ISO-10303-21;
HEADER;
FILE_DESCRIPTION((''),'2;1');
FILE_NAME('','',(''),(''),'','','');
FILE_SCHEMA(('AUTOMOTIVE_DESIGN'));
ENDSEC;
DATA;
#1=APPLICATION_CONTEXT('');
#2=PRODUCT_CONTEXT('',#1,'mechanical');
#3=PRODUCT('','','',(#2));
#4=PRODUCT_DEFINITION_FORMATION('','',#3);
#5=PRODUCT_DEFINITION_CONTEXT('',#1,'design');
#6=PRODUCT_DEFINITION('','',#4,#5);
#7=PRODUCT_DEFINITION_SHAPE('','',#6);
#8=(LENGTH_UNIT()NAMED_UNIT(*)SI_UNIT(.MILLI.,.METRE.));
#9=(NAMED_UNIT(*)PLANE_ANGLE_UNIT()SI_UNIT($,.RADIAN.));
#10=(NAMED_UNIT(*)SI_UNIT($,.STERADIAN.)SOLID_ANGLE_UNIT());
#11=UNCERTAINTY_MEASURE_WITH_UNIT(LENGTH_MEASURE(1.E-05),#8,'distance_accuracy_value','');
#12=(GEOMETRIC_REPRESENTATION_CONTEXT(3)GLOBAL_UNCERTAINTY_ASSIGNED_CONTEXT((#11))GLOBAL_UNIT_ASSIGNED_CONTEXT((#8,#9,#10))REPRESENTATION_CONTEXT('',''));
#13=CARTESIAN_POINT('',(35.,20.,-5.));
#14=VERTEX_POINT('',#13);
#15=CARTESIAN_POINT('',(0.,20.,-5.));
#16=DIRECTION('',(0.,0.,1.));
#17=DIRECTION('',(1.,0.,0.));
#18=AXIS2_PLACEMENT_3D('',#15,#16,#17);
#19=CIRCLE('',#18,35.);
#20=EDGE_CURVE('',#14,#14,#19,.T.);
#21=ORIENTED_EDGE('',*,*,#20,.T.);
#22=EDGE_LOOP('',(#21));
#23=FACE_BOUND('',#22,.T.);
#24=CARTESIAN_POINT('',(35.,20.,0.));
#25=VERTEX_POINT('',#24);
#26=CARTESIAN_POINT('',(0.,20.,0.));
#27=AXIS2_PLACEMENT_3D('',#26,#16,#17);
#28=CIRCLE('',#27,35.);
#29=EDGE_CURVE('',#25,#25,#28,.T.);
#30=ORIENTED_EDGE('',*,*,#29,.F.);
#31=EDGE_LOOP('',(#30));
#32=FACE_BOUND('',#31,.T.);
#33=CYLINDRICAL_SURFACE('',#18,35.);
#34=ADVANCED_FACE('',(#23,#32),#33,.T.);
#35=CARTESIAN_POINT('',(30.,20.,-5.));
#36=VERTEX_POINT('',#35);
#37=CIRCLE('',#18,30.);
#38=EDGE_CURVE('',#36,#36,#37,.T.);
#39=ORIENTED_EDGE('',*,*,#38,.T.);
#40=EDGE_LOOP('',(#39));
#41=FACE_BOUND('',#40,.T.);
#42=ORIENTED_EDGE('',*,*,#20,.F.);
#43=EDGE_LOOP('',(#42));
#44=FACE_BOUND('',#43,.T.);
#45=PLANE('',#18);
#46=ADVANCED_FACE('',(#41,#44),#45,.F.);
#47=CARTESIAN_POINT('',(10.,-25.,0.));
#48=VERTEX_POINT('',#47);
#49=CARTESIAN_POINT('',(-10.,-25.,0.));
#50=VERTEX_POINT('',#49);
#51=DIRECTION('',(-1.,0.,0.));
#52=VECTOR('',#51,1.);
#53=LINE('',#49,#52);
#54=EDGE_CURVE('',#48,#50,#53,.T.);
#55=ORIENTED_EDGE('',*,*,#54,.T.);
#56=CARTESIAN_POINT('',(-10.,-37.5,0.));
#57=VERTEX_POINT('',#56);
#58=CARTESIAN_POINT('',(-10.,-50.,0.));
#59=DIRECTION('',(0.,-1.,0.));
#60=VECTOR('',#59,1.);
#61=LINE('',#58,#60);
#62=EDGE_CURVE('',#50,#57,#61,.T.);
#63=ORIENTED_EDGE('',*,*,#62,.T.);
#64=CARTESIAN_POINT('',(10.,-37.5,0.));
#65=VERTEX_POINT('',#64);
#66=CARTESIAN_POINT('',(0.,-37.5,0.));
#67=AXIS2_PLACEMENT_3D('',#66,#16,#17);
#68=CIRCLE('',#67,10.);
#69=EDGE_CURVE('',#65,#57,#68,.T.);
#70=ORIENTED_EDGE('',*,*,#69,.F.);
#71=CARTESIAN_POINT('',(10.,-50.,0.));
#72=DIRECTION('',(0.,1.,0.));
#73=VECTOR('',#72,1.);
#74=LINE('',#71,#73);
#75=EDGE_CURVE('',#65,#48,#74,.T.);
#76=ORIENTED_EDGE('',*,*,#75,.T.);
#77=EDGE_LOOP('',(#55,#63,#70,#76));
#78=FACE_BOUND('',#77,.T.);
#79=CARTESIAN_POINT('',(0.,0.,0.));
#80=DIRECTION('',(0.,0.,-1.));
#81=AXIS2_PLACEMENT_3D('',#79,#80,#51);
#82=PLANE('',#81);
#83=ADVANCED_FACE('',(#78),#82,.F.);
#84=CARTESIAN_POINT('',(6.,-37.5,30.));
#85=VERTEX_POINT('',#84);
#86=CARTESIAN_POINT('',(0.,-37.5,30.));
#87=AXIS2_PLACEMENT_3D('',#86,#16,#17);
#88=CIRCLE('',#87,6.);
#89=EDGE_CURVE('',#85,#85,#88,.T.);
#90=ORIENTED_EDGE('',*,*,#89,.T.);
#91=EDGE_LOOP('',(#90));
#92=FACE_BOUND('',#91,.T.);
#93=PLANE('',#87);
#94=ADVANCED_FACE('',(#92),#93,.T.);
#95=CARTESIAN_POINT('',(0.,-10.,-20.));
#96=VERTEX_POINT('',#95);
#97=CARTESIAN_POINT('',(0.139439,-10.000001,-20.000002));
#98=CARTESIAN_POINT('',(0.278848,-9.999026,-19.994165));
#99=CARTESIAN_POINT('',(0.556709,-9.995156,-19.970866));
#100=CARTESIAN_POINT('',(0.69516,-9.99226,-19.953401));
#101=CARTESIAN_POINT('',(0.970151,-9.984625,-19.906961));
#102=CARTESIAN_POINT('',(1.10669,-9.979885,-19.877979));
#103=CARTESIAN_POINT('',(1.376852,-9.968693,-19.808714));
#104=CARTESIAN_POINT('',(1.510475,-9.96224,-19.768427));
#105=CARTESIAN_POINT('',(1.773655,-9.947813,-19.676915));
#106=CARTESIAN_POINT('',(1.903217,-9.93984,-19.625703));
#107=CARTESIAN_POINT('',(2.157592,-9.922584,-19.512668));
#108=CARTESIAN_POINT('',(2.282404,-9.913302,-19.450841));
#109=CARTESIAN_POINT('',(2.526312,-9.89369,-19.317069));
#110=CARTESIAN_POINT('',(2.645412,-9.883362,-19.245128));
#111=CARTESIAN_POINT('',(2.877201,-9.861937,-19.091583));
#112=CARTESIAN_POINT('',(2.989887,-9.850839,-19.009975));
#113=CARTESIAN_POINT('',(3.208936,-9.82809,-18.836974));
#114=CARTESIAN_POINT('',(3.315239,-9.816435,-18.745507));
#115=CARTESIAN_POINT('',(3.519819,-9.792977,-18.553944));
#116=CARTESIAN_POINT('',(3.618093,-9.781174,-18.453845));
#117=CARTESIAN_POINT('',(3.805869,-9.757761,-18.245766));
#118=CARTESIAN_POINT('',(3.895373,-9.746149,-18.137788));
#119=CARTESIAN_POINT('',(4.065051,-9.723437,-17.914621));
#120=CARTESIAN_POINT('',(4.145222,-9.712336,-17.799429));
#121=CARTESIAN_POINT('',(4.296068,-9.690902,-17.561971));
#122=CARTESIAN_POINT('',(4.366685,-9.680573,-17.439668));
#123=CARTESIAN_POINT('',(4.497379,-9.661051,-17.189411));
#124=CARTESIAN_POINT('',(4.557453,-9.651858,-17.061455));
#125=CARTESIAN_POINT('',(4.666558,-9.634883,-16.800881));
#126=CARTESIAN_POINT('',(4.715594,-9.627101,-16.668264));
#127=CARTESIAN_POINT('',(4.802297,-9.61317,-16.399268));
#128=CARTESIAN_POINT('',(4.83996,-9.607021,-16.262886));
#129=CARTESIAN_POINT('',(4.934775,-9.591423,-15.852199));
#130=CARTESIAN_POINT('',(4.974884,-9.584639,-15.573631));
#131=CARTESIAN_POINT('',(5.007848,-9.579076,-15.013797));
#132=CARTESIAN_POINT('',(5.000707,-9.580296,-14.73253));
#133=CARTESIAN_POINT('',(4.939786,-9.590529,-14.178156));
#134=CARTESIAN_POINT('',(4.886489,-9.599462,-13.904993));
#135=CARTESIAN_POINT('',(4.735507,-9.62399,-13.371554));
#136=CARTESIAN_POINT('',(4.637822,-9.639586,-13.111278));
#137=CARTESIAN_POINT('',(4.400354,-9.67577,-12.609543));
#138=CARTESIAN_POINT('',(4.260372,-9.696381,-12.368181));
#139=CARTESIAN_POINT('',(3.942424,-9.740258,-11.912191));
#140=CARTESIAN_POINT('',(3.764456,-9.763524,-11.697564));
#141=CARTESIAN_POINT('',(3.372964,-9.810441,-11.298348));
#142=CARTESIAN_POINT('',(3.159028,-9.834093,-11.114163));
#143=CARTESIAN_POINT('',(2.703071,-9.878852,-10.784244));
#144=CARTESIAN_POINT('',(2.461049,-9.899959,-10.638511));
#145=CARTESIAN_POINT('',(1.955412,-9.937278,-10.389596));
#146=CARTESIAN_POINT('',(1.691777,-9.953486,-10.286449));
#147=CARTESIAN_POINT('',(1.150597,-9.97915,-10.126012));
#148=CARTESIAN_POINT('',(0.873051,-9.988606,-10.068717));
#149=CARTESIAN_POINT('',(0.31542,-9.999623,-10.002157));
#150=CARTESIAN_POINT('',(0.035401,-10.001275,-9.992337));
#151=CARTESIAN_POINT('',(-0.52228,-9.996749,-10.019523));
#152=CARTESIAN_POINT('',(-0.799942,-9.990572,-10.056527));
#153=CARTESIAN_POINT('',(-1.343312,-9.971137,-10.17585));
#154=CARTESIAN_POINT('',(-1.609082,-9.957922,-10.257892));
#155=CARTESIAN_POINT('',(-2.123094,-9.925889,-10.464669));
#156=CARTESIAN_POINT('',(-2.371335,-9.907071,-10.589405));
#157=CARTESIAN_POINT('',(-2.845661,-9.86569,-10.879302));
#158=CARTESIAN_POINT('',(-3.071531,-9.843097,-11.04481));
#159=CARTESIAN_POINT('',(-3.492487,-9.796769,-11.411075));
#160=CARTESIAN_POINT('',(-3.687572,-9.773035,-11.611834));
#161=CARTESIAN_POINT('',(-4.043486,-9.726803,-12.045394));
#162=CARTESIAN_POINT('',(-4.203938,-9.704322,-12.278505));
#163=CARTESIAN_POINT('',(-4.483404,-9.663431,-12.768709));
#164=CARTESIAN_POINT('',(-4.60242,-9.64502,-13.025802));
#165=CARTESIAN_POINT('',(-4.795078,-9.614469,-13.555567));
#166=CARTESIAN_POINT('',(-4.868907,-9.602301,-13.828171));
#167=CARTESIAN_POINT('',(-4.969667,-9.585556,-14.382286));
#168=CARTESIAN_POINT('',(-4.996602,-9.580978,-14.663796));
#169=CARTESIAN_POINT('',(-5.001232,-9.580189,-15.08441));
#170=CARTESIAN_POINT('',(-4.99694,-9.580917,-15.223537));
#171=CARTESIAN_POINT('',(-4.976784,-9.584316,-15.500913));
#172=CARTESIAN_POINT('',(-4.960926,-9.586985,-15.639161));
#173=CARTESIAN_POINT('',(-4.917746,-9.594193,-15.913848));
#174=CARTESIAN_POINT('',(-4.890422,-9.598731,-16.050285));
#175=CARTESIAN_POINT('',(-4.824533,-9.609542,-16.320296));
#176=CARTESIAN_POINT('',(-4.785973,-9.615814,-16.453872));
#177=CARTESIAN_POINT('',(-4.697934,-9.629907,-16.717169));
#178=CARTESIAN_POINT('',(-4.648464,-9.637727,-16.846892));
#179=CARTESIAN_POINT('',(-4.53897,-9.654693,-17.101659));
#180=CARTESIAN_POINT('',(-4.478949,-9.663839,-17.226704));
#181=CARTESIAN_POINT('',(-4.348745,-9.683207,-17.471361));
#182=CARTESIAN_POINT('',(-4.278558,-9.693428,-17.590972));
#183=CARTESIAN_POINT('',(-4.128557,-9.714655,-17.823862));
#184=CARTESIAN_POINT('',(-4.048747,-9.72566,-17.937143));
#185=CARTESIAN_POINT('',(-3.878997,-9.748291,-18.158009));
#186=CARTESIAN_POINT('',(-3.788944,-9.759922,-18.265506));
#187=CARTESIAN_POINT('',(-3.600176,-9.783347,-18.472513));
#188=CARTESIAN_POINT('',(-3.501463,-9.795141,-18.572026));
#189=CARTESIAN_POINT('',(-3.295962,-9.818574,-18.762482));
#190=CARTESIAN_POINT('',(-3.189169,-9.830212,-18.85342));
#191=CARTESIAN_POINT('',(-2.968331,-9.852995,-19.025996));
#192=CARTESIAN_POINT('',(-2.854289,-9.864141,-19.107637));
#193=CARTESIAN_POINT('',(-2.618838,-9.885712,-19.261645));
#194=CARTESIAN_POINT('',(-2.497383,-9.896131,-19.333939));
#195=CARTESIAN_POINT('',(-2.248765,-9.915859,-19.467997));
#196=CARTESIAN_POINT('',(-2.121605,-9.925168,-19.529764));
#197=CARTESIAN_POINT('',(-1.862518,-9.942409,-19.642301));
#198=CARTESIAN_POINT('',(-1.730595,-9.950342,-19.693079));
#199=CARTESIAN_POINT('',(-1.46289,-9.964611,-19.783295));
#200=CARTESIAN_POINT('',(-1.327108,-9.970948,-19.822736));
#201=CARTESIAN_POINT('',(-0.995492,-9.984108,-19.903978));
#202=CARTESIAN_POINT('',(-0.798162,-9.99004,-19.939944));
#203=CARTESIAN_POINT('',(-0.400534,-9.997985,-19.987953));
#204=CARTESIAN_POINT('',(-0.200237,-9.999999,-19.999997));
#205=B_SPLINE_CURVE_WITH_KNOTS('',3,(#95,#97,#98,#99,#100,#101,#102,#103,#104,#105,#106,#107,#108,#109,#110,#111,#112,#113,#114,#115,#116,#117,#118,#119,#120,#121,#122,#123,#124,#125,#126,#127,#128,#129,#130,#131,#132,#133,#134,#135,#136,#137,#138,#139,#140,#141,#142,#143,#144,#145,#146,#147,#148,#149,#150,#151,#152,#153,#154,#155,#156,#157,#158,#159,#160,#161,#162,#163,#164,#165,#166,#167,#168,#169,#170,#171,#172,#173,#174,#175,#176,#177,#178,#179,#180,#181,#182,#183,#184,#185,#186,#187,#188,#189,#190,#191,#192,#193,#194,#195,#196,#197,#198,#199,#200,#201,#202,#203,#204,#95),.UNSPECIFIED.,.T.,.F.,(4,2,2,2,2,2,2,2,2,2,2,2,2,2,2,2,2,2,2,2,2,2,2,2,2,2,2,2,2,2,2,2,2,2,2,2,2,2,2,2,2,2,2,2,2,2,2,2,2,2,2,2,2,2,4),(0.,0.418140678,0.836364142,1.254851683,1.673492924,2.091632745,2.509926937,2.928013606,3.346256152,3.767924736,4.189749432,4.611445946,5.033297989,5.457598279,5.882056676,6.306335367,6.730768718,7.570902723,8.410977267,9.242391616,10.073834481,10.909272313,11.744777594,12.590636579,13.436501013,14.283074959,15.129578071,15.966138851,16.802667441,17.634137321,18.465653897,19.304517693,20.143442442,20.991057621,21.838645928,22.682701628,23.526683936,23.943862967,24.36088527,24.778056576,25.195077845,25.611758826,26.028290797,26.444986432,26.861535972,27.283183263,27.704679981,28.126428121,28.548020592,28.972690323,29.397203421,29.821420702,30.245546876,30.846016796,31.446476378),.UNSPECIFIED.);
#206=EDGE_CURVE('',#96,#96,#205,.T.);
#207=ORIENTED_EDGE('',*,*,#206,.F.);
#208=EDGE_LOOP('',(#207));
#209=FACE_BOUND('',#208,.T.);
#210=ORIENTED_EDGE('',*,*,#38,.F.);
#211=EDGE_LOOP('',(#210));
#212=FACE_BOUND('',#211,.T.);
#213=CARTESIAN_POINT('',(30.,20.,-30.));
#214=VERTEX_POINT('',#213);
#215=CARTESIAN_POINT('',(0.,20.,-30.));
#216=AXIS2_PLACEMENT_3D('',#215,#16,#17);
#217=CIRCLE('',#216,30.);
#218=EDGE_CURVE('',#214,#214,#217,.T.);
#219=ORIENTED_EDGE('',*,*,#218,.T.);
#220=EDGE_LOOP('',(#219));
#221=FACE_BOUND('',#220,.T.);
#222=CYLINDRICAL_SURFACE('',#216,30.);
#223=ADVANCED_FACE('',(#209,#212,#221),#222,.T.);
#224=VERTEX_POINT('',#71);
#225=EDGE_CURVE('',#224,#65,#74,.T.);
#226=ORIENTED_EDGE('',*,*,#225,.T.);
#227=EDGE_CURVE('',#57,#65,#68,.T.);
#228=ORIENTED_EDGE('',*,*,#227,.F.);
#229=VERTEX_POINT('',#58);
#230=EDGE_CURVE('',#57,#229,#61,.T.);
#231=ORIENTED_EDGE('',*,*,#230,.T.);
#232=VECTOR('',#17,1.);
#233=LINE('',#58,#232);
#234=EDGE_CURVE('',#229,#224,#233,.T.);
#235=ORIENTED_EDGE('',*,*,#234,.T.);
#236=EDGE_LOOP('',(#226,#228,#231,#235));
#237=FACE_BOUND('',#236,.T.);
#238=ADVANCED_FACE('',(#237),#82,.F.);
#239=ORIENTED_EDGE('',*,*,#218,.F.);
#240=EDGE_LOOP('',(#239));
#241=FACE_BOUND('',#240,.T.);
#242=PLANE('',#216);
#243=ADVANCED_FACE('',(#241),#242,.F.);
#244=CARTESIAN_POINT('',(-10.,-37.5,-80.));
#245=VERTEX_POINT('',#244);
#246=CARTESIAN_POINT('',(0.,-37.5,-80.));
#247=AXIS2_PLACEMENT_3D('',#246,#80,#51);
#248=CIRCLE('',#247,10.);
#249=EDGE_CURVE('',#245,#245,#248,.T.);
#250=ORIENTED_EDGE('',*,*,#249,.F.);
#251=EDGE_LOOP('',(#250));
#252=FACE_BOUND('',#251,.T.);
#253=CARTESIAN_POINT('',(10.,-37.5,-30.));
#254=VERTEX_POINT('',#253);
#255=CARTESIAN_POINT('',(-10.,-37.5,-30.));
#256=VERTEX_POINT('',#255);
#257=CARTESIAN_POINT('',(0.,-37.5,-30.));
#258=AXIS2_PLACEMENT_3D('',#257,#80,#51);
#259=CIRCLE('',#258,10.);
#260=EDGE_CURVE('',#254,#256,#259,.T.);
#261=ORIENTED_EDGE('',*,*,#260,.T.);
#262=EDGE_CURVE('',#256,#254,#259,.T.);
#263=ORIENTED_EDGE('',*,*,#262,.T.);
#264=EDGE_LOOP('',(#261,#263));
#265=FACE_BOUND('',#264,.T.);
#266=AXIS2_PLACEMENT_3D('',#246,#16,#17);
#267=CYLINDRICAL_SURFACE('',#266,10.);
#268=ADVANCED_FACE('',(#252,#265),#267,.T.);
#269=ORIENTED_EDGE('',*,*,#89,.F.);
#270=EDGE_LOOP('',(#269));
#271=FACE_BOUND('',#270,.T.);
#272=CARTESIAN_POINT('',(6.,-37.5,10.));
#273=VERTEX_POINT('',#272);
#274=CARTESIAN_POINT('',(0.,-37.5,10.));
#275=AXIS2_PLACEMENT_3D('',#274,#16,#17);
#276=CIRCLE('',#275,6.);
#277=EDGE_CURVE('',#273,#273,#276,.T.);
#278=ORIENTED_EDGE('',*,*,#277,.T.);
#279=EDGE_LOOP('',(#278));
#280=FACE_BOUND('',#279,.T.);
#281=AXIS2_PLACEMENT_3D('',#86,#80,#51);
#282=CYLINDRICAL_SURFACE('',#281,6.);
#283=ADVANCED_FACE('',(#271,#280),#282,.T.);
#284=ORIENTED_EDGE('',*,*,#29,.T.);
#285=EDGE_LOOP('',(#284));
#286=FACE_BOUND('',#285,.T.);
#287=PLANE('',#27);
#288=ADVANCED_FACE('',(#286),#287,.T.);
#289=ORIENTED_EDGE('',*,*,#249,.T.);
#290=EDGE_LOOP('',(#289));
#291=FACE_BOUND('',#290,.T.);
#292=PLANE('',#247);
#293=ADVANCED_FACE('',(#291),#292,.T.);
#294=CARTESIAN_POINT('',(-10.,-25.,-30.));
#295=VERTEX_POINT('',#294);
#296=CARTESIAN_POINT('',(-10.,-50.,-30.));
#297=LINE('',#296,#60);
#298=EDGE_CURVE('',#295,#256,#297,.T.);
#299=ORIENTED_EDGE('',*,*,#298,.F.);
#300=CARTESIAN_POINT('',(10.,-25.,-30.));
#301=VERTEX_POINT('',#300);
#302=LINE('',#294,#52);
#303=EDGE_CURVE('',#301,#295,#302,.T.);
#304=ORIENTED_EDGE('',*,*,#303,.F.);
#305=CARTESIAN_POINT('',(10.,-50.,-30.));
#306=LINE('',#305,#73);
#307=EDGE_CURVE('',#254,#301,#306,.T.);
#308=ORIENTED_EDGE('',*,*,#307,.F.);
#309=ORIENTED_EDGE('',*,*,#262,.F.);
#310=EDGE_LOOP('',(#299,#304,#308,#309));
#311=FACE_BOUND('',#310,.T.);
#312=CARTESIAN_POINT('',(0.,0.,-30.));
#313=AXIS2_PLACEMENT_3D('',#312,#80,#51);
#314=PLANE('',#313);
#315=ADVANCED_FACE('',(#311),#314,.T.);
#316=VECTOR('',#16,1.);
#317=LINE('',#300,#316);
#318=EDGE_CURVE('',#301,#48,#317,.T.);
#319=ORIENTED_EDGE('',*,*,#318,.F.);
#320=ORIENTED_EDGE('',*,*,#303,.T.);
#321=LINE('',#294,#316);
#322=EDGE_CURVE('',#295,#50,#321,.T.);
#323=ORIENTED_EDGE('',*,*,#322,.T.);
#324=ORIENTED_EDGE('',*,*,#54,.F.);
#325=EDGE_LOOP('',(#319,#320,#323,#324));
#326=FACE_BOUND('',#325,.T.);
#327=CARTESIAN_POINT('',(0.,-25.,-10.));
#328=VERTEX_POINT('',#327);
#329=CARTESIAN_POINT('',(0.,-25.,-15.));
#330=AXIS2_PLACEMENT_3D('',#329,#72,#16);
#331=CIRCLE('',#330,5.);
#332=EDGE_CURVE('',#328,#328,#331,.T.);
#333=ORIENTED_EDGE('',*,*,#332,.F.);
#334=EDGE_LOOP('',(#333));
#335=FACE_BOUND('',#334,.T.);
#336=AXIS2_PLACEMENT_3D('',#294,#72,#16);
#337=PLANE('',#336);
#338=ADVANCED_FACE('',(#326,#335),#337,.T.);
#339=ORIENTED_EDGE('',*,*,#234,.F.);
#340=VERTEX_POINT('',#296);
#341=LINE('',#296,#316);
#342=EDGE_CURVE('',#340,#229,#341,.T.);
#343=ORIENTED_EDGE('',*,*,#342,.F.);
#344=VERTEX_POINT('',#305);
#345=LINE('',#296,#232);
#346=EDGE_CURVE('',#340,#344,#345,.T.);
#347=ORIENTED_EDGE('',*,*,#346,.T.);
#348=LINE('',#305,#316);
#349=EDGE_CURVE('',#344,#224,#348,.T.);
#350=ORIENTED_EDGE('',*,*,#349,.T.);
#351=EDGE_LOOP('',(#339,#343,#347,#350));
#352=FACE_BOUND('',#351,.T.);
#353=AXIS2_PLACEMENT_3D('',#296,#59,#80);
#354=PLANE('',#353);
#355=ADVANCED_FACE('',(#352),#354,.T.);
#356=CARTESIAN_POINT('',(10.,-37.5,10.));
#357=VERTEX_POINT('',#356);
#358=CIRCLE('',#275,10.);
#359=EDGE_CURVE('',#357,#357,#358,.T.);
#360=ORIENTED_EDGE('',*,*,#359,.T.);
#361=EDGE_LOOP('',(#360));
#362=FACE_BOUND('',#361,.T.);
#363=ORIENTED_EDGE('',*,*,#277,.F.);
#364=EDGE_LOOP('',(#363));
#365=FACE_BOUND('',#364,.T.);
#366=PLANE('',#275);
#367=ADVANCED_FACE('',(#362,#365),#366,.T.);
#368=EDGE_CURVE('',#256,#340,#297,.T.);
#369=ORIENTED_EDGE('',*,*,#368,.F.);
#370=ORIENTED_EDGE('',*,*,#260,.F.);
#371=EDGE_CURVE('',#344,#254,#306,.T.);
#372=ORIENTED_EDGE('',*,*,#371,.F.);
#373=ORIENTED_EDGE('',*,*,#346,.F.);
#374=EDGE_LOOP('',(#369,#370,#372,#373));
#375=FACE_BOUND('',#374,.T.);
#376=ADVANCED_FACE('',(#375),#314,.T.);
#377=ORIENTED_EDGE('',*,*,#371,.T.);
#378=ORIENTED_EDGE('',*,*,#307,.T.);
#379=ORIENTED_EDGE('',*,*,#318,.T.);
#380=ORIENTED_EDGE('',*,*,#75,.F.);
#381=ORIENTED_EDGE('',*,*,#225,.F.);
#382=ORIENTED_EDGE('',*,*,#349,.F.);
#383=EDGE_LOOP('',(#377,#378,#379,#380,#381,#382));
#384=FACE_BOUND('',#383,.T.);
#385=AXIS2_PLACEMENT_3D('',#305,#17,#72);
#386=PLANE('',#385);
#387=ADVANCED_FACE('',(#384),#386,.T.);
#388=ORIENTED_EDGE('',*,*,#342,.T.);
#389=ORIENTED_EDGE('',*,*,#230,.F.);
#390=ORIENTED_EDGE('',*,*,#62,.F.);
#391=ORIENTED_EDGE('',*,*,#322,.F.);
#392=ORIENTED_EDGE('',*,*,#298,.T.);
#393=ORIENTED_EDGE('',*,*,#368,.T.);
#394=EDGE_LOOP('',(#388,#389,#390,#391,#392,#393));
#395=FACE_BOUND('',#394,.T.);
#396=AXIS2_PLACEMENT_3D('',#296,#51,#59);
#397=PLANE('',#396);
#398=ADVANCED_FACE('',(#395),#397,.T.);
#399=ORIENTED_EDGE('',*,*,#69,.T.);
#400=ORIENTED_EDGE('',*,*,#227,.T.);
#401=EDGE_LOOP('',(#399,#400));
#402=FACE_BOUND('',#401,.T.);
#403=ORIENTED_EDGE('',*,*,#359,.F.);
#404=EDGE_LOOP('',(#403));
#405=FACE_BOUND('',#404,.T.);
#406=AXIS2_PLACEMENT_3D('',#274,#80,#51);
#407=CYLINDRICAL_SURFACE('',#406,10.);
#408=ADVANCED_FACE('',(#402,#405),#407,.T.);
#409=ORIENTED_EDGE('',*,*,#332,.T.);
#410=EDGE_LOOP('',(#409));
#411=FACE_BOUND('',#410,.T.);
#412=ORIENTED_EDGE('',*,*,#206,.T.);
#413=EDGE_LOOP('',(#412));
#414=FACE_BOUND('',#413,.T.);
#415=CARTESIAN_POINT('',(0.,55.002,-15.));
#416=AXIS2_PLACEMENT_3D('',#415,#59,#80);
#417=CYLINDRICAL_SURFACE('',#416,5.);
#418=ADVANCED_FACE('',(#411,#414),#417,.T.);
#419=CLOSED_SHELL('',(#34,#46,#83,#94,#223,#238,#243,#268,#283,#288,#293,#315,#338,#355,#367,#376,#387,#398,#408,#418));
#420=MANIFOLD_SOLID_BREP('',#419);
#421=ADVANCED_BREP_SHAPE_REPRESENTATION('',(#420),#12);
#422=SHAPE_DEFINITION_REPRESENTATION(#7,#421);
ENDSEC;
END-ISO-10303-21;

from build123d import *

# Parameters (mm, degrees)
CROQUIS1_R                   = 30
SALIENTE_EXTRUIR1_DEPTH      = 30
CROQUIS1_W                   = 20
CROQUIS1_H                   = 25
SALIENTE_EXTRUIR1_2_DEPTH    = 30
CROQUIS2_R                   = 35
CROQUIS2_R_2                 = 30
SALIENTE_EXTRUIR2_DEPTH      = 5
SALIENTE_EXTRUIR3_REACH      = 94.331
SALIENTE_EXTRUIR3_END_RADIUS = 30
CROQUIS3_R                   = 5
CROQUIS4_R                   = 10
SALIENTE_EXTRUIR4_DEPTH      = 10
CROQUIS5_R                   = 6
SALIENTE_EXTRUIR5_DEPTH      = 20
SALIENTE_EXTRUIR6_START      = 50
CROQUIS6_R                   = 10
SALIENTE_EXTRUIR6_DEPTH      = 50


with BuildPart() as part:
    # Croquis1 → Saliente-Extruir1 (new body)
    with BuildSketch(Plane.XY):
        with Locations((0, 20)):
            Circle(CROQUIS1_R)
    extrude(amount=-SALIENTE_EXTRUIR1_DEPTH)

    # Croquis2 → Saliente-Extruir2 (add)
    with BuildSketch(Plane.XY):
        with Locations((0, 20)):
            Circle(CROQUIS2_R)
        with Locations((0, 20)):
            Circle(CROQUIS2_R_2, mode=Mode.SUBTRACT)
    extrude(amount=-SALIENTE_EXTRUIR2_DEPTH)



with BuildPart() as body_2:
    # Croquis1 → Saliente-Extruir1 2 (new body)
    with BuildSketch(Plane.XY):
        with Locations((0, -37.5)):
            Rectangle(CROQUIS1_W, CROQUIS1_H)
    extrude(amount=-SALIENTE_EXTRUIR1_2_DEPTH)


with BuildPart() as part_1:
    add(part.part)

    add(body_2.part)  # Saliente-Extruir3 merges body 2
    # Saliente-Extruir3: up to this cylinder (the profile starts outside it)
    saliente_extruir3_end = Plane(origin=(0, 20, -15), z_dir=(0, 0, 1)) * Cylinder(SALIENTE_EXTRUIR3_END_RADIUS, 249.662, mode=Mode.PRIVATE)
    # Croquis3 → Saliente-Extruir3 (add, up to the surface)
    with BuildSketch(Plane(origin=(0, -25, 0), x_dir=(1, 0, 0), z_dir=(0, 1, 0)), mode=Mode.PRIVATE) as saliente_extruir3_sk1:
        with Locations(Location((0, 15, 0), (0, 0, 90))):
            Circle(CROQUIS3_R)
    saliente_extruir3_tool1 = extrude(saliente_extruir3_sk1.sketch, amount=SALIENTE_EXTRUIR3_REACH, mode=Mode.PRIVATE) - saliente_extruir3_end
    add(saliente_extruir3_tool1.solids().sort_by_distance((0, -25, -15))[0])

    # Croquis4 → Saliente-Extruir4 (add)
    with BuildSketch(Plane.XY):
        with Locations((0, -37.5)):
            Circle(CROQUIS4_R)
    extrude(amount=SALIENTE_EXTRUIR4_DEPTH)

    # Croquis5 → Saliente-Extruir5 (add)
    with BuildSketch(Plane.XY.offset(10)):
        with Locations((0, -37.5)):
            Circle(CROQUIS5_R)
    extrude(amount=SALIENTE_EXTRUIR5_DEPTH)

    # Croquis6 → Saliente-Extruir6 (add)
    with BuildSketch(Plane(origin=(0, 0, -30), x_dir=(-1, 0, 0), z_dir=(0, 0, -1)).offset(SALIENTE_EXTRUIR6_START)):
        with Locations(Location((0, -37.5, 0), (0, 0, 180))):
            Circle(CROQUIS6_R)
    extrude(amount=-SALIENTE_EXTRUIR6_DEPTH)


solid = part_1.part
